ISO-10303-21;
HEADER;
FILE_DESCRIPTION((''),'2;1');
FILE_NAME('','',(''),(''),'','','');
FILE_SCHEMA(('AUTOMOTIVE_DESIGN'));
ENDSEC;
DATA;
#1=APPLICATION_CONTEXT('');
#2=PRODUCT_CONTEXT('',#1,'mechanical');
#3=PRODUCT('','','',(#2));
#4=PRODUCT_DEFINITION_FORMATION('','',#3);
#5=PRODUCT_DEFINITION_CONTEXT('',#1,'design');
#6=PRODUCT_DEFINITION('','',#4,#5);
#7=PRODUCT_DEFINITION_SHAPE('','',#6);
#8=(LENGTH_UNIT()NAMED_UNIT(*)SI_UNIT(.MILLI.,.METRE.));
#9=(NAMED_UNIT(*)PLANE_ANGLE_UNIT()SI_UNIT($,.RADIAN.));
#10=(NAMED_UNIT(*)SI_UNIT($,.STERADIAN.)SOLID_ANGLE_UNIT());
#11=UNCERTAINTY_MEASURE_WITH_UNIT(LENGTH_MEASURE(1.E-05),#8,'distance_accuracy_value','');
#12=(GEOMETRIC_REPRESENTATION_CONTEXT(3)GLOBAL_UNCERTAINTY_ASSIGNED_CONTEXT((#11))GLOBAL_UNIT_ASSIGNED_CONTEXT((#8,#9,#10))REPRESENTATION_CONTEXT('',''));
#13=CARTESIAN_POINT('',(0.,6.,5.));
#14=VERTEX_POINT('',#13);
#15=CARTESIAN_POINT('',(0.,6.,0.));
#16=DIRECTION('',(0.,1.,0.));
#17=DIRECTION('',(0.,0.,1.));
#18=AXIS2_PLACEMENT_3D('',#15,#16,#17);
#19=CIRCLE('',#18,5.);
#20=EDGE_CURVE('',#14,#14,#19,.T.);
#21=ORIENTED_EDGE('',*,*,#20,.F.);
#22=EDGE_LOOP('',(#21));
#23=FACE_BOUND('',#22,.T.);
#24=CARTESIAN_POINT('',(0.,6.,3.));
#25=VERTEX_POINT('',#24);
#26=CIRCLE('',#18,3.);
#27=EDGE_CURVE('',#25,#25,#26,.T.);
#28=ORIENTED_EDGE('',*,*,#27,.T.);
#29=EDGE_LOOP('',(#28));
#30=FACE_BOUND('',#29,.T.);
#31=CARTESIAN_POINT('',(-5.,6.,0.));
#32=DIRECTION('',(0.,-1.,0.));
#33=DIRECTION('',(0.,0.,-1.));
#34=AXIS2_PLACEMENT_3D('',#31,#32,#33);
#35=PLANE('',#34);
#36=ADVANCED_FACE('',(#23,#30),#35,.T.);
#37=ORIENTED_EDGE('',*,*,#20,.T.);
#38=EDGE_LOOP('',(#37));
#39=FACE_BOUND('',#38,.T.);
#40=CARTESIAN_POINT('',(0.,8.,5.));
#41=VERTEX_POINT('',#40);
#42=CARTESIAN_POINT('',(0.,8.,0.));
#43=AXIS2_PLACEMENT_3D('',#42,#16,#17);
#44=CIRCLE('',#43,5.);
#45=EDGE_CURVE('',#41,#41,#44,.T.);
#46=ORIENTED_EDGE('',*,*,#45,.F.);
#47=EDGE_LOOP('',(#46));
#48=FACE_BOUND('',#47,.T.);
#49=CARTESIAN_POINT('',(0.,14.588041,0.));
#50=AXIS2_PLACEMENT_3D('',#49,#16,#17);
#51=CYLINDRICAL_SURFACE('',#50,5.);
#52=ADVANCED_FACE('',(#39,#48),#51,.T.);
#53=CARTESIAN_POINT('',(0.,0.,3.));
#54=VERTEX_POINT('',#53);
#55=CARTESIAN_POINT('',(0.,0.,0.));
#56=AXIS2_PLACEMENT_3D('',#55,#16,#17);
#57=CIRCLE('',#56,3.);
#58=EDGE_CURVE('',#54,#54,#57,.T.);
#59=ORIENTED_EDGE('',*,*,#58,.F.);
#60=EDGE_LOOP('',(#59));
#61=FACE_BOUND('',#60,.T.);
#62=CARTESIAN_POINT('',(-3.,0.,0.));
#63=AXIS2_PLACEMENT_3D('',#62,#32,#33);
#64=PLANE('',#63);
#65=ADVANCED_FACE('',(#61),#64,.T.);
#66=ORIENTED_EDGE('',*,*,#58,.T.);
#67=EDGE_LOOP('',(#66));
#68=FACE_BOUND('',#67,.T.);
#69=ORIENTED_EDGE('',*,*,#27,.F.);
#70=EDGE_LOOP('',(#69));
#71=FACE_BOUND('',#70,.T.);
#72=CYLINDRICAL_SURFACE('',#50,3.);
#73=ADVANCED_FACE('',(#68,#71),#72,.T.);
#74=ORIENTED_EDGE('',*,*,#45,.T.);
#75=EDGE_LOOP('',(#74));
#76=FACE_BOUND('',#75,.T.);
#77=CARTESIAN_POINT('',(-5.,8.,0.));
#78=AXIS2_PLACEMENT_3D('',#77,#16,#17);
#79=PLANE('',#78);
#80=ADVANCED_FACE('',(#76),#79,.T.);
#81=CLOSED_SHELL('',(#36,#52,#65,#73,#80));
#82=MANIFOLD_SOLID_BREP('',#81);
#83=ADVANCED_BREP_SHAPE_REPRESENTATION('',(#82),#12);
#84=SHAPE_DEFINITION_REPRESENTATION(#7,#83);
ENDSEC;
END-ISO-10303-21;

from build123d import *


with BuildPart() as part:
    # Эскиз1 → Повернуть1 (revolve)
    with BuildSketch(Plane.XY):
        Polygon((-5, 8), (-5, 6), (-3, 6), (-3, 0), (0, 0), (0, 8), align=None)
    revolve(axis=Axis((0, 14.588041347, 0), (0, -1, 0)))


solid = part.part
